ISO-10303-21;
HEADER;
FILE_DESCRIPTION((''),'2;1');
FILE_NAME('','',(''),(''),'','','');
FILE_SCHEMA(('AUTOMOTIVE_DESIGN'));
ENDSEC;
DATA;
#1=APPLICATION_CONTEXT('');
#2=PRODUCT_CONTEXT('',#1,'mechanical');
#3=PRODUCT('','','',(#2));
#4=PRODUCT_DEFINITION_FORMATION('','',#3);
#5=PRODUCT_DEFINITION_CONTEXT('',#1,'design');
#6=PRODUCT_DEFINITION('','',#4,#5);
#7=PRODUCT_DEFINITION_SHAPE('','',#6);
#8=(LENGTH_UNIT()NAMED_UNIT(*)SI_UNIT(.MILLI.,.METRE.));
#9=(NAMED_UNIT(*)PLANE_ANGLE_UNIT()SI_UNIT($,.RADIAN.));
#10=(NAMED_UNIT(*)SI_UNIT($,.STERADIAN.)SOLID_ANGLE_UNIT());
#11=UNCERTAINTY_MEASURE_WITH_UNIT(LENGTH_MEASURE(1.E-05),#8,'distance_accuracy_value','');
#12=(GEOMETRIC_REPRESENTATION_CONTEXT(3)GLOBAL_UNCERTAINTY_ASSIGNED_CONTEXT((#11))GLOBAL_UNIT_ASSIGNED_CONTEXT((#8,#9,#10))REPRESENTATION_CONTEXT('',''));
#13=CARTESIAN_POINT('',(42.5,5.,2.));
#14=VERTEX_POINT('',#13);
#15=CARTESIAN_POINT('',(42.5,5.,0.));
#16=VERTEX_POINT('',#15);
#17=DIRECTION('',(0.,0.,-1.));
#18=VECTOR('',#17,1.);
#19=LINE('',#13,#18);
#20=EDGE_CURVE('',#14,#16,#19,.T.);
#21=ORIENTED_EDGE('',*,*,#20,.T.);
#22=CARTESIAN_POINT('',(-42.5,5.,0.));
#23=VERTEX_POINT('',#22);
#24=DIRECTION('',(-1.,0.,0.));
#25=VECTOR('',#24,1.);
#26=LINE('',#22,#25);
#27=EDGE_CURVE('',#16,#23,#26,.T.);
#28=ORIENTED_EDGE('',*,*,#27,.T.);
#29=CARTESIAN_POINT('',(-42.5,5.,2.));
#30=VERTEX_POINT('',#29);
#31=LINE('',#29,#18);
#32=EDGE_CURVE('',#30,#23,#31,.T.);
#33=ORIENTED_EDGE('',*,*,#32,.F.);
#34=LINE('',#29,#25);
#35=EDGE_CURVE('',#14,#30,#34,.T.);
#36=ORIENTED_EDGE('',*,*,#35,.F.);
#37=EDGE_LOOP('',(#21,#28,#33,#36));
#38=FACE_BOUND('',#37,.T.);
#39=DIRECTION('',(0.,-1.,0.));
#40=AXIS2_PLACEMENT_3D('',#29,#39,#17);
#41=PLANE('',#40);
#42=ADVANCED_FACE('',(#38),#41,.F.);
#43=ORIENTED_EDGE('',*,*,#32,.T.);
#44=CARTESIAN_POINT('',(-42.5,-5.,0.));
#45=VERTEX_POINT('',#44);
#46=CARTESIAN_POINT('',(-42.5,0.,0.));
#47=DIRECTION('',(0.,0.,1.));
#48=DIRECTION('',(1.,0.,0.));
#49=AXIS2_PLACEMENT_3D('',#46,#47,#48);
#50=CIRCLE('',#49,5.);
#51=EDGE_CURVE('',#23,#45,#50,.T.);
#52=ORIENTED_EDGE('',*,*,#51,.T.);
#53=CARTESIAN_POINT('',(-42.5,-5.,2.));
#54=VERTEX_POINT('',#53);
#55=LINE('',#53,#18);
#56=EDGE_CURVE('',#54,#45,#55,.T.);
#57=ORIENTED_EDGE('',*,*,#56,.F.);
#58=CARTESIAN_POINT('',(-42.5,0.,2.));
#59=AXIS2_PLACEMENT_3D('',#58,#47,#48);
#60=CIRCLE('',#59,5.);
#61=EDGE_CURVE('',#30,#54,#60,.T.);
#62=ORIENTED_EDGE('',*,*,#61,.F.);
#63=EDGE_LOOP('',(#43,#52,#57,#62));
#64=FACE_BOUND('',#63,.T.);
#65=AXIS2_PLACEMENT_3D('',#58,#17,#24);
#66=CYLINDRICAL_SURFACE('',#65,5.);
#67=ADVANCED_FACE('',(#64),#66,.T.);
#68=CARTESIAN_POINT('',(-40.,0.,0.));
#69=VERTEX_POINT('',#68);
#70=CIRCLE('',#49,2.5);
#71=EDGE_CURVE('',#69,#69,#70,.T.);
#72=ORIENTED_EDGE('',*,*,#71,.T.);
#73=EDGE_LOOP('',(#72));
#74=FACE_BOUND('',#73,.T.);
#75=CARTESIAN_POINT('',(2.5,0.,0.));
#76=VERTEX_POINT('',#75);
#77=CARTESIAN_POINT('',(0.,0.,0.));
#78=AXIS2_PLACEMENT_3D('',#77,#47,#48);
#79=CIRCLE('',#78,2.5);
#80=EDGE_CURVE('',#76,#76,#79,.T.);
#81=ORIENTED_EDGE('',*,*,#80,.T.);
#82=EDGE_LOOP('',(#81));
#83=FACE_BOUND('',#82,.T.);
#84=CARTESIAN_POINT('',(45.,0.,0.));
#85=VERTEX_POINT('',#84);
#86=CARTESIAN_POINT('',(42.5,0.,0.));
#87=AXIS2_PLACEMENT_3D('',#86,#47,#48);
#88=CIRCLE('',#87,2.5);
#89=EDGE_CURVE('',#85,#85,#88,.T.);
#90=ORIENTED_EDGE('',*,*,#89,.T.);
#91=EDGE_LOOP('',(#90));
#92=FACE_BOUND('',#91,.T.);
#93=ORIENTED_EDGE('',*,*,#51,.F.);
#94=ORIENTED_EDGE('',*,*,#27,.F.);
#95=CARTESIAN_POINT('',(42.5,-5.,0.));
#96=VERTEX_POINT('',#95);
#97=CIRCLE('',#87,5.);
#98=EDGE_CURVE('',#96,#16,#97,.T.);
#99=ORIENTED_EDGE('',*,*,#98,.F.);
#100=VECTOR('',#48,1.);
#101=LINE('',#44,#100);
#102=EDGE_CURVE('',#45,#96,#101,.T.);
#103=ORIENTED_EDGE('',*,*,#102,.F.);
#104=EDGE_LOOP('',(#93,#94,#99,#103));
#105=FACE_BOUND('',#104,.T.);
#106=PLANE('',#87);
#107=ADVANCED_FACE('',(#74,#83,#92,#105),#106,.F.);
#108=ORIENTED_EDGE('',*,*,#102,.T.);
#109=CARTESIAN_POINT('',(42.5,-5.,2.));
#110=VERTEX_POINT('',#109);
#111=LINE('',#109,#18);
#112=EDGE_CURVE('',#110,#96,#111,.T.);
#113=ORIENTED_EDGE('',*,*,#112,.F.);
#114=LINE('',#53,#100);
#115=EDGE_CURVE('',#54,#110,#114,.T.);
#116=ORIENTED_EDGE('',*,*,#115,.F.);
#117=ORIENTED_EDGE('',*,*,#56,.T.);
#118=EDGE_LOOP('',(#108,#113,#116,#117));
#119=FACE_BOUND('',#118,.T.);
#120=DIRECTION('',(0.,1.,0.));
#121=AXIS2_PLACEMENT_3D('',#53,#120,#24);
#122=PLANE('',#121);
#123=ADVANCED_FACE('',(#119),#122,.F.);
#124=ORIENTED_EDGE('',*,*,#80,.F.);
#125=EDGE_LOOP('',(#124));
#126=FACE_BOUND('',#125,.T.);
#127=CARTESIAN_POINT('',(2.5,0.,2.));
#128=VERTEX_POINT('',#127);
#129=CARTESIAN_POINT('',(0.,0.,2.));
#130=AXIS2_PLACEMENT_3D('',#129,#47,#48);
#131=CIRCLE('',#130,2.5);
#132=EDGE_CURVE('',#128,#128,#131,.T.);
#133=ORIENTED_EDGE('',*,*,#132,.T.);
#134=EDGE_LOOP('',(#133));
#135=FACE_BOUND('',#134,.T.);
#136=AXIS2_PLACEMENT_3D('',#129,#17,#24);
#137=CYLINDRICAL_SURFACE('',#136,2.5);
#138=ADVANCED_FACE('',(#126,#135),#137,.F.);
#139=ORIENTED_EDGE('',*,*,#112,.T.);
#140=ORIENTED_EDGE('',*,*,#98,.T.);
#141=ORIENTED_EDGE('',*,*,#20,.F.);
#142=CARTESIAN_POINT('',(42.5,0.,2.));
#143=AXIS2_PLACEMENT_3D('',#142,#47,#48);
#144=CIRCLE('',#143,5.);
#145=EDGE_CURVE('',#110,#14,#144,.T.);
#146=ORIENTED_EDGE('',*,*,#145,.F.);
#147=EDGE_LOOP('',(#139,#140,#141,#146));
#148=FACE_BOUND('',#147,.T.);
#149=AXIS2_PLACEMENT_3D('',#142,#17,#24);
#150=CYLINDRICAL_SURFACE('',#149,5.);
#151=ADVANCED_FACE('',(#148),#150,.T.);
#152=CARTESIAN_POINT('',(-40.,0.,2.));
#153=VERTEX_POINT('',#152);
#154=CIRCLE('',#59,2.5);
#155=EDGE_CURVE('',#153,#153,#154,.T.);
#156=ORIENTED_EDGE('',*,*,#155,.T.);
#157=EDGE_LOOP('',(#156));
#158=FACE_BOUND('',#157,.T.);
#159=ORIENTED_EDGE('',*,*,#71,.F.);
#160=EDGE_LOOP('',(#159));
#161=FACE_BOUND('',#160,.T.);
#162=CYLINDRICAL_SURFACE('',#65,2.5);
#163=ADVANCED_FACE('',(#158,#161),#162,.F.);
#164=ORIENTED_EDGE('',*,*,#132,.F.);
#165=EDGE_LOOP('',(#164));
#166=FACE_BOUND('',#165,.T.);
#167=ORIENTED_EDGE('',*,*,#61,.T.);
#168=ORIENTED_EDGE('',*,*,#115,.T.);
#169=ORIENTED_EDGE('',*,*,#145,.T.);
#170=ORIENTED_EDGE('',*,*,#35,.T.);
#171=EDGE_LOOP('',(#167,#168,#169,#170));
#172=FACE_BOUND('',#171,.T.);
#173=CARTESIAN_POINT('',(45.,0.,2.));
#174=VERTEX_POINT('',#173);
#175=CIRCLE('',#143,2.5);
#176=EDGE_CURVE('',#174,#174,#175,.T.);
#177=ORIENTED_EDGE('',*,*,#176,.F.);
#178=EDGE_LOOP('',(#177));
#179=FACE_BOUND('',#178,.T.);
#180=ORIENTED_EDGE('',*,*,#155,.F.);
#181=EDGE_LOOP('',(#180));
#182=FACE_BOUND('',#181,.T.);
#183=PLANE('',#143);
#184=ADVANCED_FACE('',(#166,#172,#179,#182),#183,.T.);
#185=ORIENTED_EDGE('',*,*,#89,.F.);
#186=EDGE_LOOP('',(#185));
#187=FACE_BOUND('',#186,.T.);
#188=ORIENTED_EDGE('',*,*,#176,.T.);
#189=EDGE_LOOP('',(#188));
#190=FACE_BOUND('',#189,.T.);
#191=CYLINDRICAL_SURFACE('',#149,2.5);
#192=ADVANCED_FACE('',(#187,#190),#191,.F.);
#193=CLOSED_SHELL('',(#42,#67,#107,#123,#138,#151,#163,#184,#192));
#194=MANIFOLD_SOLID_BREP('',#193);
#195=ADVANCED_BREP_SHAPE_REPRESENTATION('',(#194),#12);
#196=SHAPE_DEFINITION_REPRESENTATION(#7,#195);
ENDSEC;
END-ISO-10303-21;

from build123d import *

# Parameters (mm, degrees)
SKETCH_1_R      = 2.5
EXTRUDE_1_DEPTH = 2


with BuildPart() as part:
    # 草图1 → 凸台-拉伸1 (new body)
    with BuildSketch(Plane.XY):
        with BuildLine():
            Line((-42.5, -5), (42.5, -5))
            ThreePointArc((42.5, -5), (47.5, 0), (42.5, 5))
            Line((42.5, 5), (-42.5, 5))
            ThreePointArc((-42.5, 5), (-47.5, 0), (-42.5, -5))
        make_face()
        with Locations((-42.5, 0)):
            Circle(SKETCH_1_R, mode=Mode.SUBTRACT)
        with Locations((42.5, 0)):
            Circle(SKETCH_1_R, mode=Mode.SUBTRACT)
        Circle(SKETCH_1_R, mode=Mode.SUBTRACT)
    extrude(amount=EXTRUDE_1_DEPTH)


solid = part.part
